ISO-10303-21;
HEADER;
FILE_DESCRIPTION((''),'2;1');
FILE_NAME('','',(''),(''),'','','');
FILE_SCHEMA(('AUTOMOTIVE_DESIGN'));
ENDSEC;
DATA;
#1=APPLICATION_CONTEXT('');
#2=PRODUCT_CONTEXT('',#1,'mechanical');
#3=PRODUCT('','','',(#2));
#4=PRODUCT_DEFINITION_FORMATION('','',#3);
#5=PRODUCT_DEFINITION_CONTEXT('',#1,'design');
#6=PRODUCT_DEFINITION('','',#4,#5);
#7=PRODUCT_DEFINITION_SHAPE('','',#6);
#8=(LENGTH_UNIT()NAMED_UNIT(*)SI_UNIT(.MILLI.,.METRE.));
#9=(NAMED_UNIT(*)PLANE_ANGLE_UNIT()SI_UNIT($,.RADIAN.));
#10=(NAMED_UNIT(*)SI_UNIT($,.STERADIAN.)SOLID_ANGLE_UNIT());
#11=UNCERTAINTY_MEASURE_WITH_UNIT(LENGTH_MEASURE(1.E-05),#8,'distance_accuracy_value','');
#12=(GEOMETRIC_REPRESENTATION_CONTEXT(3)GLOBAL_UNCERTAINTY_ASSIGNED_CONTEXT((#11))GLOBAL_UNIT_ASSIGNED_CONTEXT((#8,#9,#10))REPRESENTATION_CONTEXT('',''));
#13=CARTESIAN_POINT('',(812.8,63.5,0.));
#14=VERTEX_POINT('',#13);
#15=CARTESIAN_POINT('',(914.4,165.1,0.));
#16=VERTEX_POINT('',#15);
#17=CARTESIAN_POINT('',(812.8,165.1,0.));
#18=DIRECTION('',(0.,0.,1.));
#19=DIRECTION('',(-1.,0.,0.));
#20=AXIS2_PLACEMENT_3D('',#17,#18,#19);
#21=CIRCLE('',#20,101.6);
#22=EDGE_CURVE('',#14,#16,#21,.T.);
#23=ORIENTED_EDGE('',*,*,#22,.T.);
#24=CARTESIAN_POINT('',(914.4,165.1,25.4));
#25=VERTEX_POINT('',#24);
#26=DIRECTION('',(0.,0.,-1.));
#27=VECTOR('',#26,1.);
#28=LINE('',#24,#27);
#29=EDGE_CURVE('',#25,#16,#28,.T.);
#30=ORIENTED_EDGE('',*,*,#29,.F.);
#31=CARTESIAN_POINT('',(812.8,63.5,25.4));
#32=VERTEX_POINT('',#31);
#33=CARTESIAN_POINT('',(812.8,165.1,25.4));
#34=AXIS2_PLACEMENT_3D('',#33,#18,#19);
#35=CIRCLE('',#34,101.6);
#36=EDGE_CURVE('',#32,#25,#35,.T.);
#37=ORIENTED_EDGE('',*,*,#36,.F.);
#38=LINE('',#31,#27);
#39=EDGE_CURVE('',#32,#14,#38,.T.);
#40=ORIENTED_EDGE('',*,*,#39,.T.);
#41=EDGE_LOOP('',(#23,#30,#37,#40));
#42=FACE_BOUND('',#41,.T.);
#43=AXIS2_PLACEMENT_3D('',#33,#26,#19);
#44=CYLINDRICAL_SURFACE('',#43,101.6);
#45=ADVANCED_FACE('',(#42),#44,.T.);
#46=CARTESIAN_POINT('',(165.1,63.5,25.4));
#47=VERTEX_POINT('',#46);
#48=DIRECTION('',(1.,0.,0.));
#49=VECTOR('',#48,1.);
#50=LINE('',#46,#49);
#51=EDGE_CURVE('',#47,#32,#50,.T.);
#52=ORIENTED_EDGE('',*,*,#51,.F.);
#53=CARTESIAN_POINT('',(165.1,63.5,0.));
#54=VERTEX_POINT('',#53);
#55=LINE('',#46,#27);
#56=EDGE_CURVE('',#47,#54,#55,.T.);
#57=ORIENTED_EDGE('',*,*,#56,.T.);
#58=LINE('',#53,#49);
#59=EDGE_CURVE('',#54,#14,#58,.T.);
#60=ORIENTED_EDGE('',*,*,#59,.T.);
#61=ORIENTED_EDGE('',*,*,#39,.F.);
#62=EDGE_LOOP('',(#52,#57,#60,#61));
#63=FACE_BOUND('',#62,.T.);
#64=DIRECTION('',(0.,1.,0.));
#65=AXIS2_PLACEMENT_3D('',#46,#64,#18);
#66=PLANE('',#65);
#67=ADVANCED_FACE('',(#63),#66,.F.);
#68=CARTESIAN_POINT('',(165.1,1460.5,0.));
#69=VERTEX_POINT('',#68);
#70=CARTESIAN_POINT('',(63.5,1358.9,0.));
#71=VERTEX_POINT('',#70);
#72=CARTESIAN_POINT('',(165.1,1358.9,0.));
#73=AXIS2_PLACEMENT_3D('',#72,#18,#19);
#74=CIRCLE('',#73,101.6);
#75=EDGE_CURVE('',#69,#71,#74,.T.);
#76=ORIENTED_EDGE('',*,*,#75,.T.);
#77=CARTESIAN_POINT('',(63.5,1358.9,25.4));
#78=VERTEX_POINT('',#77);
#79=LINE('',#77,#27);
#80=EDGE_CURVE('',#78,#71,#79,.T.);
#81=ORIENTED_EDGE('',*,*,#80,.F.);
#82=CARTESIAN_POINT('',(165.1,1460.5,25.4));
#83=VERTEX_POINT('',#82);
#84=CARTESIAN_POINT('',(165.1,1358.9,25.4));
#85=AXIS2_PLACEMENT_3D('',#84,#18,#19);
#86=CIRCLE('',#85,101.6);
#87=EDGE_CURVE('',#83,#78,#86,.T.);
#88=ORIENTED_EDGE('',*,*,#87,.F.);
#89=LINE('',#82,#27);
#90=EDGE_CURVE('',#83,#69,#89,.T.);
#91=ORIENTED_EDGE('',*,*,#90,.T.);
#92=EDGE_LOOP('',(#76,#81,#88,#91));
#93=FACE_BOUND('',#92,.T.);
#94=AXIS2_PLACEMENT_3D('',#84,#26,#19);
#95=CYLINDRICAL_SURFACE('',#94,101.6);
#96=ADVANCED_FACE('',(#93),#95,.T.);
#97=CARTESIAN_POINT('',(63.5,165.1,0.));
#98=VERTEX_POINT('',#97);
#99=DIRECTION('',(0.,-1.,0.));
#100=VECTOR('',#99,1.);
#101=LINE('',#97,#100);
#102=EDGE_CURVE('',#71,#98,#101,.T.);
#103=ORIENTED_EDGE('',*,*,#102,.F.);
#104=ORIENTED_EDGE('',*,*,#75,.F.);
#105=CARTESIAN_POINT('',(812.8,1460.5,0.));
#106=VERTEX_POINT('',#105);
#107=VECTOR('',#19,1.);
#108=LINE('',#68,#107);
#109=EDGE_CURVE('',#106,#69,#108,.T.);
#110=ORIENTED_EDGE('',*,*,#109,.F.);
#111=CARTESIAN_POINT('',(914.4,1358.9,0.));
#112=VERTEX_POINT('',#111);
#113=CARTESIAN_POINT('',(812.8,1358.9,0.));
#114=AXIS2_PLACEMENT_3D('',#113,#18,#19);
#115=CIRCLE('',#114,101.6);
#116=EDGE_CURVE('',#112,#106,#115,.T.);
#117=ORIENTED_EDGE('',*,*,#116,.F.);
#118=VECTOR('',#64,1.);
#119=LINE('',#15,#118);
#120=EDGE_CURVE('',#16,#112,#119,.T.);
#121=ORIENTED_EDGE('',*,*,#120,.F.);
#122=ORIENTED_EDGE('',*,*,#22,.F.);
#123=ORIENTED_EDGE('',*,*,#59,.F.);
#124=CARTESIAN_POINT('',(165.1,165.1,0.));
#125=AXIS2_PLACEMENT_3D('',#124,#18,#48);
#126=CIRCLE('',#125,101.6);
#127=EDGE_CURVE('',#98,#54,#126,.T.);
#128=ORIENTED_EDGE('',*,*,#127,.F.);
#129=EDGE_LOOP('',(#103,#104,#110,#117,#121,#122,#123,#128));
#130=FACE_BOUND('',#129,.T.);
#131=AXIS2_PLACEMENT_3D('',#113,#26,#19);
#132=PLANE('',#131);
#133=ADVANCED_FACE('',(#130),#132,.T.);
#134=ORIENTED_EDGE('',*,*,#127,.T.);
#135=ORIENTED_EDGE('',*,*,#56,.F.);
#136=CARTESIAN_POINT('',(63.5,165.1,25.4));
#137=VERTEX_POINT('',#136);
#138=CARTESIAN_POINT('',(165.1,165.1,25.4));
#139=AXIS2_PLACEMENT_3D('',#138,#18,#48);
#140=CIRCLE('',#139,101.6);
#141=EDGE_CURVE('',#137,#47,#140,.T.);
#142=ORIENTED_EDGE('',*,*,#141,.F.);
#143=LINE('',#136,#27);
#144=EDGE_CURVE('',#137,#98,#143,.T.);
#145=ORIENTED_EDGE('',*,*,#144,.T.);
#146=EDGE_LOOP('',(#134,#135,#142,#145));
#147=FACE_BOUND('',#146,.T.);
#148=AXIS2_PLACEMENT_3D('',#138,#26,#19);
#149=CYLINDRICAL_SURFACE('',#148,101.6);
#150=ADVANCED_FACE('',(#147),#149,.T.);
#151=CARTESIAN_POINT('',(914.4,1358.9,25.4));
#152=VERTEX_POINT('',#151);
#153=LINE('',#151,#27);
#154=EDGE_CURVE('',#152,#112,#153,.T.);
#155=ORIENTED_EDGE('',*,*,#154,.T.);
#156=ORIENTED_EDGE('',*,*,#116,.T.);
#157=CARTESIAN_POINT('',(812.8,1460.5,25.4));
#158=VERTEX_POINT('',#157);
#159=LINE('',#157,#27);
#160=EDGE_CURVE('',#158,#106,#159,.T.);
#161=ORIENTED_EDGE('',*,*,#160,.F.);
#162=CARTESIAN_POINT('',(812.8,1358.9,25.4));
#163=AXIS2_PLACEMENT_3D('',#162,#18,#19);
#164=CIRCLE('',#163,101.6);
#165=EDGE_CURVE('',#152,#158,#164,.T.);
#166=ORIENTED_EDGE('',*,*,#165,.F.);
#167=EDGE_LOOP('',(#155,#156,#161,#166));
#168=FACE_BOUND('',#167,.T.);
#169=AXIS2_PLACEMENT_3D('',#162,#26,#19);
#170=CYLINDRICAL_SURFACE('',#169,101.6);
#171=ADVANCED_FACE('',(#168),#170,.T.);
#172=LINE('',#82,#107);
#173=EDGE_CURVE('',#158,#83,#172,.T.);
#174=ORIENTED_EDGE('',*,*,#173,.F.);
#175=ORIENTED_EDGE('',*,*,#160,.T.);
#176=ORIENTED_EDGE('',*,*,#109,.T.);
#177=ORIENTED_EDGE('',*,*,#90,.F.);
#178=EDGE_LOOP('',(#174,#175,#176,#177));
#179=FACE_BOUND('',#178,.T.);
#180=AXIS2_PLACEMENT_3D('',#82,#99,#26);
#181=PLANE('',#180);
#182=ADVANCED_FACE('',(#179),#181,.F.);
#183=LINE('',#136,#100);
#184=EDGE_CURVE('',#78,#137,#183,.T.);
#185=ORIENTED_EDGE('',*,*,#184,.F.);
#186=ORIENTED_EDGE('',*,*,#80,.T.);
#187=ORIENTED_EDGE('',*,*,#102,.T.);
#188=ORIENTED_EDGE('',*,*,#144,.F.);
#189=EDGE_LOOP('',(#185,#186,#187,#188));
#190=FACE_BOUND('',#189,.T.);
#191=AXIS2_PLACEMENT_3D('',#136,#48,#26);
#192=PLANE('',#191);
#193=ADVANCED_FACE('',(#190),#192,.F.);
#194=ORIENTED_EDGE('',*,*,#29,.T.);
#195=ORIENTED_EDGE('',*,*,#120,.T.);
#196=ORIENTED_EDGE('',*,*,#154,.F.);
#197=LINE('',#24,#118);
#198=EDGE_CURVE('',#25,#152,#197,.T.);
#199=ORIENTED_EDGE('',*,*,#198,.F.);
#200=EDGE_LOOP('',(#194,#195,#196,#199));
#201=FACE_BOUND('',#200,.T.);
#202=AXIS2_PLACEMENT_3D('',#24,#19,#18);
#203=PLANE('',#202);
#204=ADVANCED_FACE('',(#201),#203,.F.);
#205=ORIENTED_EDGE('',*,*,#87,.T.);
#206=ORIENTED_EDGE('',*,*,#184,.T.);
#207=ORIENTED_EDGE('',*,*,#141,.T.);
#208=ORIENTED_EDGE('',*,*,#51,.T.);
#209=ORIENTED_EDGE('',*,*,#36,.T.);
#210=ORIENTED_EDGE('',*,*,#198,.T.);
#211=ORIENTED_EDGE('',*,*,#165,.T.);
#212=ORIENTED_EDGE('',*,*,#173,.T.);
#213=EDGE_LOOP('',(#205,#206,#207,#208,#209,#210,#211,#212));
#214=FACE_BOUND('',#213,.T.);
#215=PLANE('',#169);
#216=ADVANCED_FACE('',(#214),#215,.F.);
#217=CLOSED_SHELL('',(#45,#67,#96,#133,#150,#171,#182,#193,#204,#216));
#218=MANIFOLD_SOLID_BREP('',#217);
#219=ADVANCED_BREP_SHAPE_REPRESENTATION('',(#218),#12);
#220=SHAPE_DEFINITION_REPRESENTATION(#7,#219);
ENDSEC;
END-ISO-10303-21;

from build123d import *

# Parameters (mm, degrees)
BOSS_EXTRUDE1_DEPTH = 25.4


with BuildPart() as part:
    # Sketch2 → Boss-Extrude1 (new body)
    with BuildSketch(Plane.XY):
        with BuildLine():
            Line((63.5, 165.1), (63.5, 1358.9))
            ThreePointArc((63.5, 1358.9), (93.257951031, 1430.742048969), (165.1, 1460.5))
            Line((165.1, 1460.5), (812.8, 1460.5))
            ThreePointArc((812.8, 1460.5), (884.642048969, 1430.742048969), (914.4, 1358.9))
            Line((914.4, 1358.9), (914.4, 165.1))
            ThreePointArc((914.4, 165.1), (884.642048969, 93.257951031), (812.8, 63.5))
            Line((812.8, 63.5), (165.1, 63.5))
            ThreePointArc((165.1, 63.5), (93.257951031, 93.257951031), (63.5, 165.1))
        make_face()
    extrude(amount=BOSS_EXTRUDE1_DEPTH)


solid = part.part
